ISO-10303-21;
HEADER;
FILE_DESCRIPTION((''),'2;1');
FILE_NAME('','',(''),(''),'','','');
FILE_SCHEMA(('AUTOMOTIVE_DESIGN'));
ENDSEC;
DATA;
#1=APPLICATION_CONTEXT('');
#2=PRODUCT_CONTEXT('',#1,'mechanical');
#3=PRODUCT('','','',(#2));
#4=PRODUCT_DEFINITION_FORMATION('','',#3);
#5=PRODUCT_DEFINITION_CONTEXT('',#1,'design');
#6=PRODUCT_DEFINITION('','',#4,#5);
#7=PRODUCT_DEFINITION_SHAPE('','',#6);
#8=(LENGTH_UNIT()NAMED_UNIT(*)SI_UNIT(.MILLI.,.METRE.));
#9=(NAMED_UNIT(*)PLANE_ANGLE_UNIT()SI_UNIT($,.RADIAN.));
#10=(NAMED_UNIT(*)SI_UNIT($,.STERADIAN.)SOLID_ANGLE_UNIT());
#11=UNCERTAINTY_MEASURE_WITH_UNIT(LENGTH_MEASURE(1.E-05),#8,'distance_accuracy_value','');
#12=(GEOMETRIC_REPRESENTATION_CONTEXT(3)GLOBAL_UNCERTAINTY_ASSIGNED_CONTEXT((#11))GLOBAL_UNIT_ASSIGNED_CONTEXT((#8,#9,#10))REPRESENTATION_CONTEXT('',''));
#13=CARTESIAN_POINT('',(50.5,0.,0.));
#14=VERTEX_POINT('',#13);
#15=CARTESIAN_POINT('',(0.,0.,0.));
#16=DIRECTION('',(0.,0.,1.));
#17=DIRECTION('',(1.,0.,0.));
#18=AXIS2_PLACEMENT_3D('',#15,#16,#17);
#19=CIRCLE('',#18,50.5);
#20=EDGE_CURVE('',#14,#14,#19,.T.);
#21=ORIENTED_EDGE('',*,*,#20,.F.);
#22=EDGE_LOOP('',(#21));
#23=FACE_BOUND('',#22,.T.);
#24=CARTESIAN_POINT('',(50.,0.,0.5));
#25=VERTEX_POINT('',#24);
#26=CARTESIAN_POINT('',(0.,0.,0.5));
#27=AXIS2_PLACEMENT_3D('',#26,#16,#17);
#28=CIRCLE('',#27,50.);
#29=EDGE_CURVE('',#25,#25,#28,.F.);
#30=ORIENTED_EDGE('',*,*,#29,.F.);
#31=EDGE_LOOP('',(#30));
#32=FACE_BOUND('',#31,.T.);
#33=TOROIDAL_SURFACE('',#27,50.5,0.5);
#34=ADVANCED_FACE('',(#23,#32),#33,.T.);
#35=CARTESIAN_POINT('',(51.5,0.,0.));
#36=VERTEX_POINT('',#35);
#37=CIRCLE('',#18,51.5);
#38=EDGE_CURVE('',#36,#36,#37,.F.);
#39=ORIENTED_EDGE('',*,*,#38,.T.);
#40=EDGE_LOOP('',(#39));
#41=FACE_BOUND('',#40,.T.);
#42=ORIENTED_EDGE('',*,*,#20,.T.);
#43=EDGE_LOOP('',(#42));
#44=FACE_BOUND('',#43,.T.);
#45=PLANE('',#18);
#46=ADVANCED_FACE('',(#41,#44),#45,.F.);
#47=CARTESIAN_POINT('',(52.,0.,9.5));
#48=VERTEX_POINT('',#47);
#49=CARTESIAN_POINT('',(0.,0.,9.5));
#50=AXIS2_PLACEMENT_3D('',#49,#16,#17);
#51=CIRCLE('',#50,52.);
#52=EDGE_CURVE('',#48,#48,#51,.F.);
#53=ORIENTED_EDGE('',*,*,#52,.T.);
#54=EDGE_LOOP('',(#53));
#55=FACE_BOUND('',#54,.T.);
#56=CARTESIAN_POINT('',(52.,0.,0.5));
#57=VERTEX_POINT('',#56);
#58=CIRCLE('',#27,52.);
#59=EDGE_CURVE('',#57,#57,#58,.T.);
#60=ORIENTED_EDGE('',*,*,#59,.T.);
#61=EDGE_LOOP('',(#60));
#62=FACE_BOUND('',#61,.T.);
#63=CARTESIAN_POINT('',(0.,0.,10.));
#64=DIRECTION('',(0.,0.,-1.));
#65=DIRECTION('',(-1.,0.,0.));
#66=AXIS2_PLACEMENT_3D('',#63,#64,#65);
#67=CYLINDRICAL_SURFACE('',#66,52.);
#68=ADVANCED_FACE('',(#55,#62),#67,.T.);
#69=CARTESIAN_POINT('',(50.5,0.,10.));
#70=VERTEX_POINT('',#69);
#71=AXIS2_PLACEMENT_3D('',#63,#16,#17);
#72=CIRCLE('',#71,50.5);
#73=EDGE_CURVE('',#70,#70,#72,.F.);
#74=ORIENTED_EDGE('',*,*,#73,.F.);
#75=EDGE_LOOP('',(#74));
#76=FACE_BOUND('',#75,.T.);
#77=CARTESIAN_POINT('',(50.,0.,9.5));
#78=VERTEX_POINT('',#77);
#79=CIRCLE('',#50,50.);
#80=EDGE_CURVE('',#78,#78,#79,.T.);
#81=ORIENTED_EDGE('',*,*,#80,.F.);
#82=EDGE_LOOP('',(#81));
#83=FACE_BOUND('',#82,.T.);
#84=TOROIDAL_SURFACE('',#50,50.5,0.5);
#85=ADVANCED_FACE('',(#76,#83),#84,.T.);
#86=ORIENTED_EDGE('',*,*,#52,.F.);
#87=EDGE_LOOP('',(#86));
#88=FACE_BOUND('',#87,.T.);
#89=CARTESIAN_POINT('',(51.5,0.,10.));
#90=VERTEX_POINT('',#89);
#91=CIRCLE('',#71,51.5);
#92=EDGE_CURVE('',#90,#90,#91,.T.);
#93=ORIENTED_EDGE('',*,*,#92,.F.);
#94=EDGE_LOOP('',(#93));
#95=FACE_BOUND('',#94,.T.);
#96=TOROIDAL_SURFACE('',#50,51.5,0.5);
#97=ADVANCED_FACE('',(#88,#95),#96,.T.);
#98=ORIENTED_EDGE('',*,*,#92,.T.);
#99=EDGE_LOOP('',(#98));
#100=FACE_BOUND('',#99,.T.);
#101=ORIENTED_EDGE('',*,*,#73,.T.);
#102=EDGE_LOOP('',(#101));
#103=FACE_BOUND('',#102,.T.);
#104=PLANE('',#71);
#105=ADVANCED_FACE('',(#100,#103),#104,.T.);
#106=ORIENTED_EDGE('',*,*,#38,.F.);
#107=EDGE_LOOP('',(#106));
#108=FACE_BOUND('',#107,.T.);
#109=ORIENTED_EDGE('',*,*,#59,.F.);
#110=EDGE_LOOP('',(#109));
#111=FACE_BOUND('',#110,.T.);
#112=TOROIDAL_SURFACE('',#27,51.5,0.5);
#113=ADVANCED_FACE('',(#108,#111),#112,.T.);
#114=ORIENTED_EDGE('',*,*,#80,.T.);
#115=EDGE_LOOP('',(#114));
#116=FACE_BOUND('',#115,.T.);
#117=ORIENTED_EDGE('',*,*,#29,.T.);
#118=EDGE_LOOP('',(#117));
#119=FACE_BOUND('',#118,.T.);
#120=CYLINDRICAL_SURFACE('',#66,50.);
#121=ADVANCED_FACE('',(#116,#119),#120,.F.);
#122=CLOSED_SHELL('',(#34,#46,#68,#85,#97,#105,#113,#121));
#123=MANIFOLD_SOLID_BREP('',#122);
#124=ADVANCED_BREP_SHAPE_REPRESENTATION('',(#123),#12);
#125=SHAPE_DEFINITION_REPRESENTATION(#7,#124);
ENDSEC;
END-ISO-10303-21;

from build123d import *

# Parameters (mm, degrees)
SKETCH1_R           = 52
SKETCH1_R_2         = 50
BOSS_EXTRUDE1_DEPTH = 10
FILLET1_R           = 0.5


with BuildPart() as part:
    # Sketch1 → Boss-Extrude1 (new body)
    with BuildSketch(Plane.XY):
        Circle(SKETCH1_R)
        Circle(SKETCH1_R_2, mode=Mode.SUBTRACT)
    extrude(amount=BOSS_EXTRUDE1_DEPTH)

    # Fillet1
    fillet1_edges = [part.edges().sort_by_distance(p)[0] for p in [
        (-52, 0, 0),
        (-52, 0, 10),
        (-50, 0, 0),
        (-50, 0, 10),
    ]]
    fillet(fillet1_edges, radius=FILLET1_R)


solid = part.part
